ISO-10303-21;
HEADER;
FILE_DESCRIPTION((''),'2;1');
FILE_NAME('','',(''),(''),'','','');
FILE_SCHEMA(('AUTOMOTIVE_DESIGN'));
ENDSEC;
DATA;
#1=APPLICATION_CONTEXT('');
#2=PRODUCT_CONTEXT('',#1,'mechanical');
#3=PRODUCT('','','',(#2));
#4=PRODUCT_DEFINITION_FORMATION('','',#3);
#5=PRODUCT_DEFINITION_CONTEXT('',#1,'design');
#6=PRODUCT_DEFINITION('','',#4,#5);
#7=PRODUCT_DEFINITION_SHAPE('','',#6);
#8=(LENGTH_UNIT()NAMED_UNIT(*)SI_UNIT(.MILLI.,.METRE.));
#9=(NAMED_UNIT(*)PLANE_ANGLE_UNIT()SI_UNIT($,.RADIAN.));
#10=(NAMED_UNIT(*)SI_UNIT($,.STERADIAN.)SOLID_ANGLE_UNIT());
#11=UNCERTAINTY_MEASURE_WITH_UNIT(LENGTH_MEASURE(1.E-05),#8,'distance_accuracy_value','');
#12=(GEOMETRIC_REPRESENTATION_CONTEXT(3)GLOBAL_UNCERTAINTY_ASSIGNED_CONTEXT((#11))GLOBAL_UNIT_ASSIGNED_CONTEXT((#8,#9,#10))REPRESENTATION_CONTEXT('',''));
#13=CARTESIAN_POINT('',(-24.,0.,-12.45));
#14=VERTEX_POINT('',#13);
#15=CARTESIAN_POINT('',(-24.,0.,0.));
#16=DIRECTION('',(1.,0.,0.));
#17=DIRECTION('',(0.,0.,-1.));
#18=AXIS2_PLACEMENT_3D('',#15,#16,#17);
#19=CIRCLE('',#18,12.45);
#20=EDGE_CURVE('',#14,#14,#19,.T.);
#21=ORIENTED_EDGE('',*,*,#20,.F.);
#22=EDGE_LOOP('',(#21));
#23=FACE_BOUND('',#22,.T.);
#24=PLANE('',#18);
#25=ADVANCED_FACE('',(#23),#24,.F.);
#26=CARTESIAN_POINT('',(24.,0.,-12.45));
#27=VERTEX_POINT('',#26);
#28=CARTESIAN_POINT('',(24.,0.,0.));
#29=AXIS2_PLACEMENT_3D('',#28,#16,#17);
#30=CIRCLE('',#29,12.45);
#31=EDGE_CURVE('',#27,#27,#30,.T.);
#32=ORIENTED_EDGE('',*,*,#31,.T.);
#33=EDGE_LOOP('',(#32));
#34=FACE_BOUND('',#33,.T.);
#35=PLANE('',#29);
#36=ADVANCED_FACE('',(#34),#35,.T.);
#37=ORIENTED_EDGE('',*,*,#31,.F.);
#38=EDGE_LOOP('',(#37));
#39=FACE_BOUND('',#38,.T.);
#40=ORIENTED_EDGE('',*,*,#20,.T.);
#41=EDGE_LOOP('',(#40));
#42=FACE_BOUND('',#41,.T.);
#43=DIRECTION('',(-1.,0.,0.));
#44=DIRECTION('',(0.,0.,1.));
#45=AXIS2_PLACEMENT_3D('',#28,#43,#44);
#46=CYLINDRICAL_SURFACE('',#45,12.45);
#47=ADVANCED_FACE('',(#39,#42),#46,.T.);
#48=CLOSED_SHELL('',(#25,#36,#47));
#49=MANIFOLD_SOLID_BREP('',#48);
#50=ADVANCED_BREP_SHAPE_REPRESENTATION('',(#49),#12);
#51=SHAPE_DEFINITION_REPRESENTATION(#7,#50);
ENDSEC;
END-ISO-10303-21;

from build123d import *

# Parameters (mm, degrees)
SKETCH1_R           = 12.45
BOSS_EXTRUDE1_DEPTH = 24


with BuildPart() as part:
    # Sketch1 → Boss-Extrude1 (new body, symmetric)
    with BuildSketch(Plane(origin=(0, 0, 0), x_dir=(0, 0, -1), z_dir=(1, 0, 0))):
        Circle(SKETCH1_R)
    extrude(amount=BOSS_EXTRUDE1_DEPTH, both=True)


solid = part.part
